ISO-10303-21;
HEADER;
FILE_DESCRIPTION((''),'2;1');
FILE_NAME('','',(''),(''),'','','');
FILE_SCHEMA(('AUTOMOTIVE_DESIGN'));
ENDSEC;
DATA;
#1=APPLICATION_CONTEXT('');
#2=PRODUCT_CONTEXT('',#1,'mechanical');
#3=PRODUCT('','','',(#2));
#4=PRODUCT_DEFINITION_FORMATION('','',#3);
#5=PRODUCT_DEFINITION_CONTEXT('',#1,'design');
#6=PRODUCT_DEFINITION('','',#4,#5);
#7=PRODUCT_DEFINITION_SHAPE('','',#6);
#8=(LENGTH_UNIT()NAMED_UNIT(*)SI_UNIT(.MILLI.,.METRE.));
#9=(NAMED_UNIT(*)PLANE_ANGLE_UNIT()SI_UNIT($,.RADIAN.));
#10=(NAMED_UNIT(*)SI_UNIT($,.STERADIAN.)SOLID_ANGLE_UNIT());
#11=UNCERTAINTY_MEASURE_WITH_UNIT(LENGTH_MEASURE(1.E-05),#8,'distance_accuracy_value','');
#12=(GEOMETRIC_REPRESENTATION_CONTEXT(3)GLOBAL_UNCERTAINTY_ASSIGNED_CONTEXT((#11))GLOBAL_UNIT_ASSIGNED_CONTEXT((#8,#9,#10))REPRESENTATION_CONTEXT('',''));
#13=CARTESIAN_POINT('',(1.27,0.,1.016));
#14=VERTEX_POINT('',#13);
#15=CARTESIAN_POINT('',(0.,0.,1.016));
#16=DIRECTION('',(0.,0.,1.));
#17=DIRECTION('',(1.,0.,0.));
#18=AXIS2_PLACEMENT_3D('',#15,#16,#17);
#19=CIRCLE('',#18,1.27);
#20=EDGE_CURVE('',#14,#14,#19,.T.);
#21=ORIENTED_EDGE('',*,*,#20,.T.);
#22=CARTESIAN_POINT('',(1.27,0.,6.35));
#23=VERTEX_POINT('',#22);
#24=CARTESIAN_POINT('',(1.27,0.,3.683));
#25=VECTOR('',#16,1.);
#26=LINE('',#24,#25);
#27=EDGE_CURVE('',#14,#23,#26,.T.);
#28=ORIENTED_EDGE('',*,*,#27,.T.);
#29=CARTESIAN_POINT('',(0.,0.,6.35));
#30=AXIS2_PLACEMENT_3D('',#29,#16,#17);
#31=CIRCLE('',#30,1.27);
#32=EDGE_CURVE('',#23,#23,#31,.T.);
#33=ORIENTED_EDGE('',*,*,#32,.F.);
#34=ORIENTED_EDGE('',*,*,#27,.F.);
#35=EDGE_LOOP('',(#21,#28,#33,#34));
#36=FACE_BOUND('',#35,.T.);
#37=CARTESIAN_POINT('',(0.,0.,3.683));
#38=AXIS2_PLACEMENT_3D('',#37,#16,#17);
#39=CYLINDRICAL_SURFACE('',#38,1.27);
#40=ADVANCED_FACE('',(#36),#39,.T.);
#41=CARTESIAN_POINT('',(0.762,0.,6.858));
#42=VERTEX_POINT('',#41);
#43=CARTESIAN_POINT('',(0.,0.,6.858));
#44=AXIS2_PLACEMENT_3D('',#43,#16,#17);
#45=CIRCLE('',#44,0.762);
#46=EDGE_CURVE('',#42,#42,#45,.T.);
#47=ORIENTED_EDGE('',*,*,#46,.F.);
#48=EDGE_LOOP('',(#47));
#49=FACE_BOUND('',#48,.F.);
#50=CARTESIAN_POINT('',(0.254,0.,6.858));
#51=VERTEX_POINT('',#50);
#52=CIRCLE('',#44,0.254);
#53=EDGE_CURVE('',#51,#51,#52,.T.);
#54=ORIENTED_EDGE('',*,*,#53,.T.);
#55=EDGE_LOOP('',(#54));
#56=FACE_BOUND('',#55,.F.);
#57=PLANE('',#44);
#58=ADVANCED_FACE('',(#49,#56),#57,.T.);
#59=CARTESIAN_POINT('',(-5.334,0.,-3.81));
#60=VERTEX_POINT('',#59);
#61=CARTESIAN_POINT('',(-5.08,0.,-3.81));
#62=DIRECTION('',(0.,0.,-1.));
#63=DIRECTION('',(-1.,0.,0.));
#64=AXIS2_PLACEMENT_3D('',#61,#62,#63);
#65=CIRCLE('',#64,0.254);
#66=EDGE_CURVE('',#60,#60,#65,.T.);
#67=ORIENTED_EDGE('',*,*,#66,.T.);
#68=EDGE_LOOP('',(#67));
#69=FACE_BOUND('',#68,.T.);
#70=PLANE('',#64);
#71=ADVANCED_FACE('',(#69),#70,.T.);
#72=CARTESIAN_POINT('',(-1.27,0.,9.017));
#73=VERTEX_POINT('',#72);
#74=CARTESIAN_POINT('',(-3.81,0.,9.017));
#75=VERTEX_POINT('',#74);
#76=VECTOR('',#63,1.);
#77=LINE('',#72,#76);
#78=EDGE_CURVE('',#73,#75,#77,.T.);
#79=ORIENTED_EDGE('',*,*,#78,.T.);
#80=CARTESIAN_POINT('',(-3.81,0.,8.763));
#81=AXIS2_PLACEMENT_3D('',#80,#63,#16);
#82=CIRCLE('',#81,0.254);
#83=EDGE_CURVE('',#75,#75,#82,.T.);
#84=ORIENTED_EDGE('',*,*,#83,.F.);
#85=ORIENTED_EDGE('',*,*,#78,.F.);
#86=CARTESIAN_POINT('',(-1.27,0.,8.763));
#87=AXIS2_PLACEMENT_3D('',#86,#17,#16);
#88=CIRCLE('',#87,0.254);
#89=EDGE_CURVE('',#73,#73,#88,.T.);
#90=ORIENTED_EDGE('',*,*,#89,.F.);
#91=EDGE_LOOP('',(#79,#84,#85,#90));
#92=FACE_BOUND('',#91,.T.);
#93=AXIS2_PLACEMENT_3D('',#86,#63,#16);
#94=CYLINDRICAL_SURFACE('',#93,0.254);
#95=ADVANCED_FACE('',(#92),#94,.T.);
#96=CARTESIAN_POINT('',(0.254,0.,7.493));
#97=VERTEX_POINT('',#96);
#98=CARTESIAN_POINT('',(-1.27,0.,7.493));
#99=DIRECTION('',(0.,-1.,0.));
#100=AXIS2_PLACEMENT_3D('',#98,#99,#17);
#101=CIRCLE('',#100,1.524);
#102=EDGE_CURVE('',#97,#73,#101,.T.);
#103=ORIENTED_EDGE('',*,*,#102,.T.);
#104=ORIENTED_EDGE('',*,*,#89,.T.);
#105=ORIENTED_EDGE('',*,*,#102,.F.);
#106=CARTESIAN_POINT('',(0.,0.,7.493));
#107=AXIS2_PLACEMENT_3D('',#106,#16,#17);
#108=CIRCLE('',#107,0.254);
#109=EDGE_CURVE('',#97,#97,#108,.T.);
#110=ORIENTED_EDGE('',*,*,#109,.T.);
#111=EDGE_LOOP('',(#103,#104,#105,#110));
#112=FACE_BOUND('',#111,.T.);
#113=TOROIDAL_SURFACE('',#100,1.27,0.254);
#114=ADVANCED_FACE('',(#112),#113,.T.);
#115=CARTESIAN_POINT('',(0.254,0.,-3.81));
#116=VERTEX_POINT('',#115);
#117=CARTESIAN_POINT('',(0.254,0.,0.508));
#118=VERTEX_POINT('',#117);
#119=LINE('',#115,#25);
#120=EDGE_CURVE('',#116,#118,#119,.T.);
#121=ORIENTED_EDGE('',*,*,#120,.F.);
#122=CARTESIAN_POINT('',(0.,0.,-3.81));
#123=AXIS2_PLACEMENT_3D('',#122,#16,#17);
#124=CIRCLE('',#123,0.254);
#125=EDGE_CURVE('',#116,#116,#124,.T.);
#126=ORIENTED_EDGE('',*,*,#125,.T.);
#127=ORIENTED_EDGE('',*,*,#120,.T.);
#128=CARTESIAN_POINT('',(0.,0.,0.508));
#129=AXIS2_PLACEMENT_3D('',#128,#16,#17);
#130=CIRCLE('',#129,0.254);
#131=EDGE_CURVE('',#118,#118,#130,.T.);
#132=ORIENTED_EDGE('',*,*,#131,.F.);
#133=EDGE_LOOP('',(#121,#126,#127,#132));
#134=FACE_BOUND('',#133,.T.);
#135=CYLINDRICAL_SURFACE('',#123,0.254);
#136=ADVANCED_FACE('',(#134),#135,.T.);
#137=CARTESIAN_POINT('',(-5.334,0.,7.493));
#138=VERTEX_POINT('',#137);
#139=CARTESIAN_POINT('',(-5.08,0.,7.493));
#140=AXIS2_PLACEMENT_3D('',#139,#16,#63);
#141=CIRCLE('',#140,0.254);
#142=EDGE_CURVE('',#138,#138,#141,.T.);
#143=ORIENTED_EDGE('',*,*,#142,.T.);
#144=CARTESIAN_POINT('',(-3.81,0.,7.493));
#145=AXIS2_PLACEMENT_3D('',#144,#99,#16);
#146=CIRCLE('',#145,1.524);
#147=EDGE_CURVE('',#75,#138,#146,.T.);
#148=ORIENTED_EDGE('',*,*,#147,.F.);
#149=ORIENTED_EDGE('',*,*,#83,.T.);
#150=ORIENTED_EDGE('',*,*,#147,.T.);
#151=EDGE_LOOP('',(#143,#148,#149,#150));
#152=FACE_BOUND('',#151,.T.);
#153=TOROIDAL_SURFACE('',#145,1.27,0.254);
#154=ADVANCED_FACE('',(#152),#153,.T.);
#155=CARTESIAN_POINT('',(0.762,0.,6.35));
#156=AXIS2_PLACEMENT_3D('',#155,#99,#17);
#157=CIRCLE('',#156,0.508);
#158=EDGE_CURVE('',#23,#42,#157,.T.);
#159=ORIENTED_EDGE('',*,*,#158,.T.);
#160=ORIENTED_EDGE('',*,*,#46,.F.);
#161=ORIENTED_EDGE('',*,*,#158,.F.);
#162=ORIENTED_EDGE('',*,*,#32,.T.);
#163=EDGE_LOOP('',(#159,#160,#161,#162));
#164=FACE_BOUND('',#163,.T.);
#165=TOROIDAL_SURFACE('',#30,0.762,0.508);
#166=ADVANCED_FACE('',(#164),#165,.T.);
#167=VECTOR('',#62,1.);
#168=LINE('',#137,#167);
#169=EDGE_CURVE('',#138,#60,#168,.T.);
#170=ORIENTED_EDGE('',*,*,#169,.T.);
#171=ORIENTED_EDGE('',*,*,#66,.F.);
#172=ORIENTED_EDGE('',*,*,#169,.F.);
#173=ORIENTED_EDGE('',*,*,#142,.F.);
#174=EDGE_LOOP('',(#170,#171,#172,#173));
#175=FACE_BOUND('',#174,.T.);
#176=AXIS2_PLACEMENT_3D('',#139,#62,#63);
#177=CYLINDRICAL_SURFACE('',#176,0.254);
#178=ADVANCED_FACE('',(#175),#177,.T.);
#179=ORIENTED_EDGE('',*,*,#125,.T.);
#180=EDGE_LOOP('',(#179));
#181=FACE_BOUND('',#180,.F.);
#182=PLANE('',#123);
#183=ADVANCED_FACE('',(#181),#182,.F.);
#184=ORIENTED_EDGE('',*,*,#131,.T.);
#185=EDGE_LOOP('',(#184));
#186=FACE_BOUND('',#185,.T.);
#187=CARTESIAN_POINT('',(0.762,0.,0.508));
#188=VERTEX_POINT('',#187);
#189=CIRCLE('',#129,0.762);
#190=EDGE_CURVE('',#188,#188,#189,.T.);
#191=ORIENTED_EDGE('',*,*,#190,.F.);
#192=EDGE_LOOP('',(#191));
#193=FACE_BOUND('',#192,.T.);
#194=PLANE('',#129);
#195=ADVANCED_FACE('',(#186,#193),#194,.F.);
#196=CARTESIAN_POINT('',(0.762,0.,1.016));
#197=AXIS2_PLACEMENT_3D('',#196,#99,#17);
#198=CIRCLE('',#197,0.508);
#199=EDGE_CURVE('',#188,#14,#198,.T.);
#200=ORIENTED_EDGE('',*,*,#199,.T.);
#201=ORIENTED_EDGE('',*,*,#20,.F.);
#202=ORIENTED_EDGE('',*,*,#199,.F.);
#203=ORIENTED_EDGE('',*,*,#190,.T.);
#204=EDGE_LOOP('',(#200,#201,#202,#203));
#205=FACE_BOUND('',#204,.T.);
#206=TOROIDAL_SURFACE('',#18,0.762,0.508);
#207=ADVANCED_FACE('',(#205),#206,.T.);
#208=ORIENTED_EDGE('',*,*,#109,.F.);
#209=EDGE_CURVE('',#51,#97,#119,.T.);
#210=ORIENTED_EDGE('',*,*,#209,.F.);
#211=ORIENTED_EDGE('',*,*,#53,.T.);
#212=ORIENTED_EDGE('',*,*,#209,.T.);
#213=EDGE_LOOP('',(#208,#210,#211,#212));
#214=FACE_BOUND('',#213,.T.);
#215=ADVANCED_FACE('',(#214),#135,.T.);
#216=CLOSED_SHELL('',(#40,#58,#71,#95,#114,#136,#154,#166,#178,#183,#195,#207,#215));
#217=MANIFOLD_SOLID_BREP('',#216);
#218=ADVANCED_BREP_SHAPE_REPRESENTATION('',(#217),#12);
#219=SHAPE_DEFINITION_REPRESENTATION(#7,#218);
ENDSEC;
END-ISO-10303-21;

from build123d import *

# Parameters (mm, degrees)
F0_W = 1.27
F0_H = 6.35
F2_R = 0.508
F5_R = 0.254


with BuildPart() as f1:
    # F0 (on Front) → F1 (revolve)
    with BuildSketch(Plane.XZ):
        with Locations((0.635, 3.683)):
            Rectangle(F0_W, F0_H)
    revolve(axis=Axis((0, 0, 3.683), (0, 0, 1)))

    # F2
    f2_edges = [f1.edges().sort_by_distance(p)[0] for p in [
        (-1.27, 0, 6.858),
        (-1.27, 0, 0.508),
    ]]
    fillet(f2_edges, radius=F2_R)

    # F6: sweep along a path in F3
    with BuildLine(Plane.XZ) as f6_path:
        Line((0, -3.81), (0, 7.493))
        ThreePointArc((0, 7.493), (-0.3719743879, 8.3910256121), (-1.27, 8.763))
        Line((-1.27, 8.763), (-3.81, 8.763))
        ThreePointArc((-3.81, 8.763), (-4.7080256121, 8.3910256121), (-5.08, 7.493))
        Line((-5.08, 7.493), (-5.08, -3.81))
    # F5 (on offset) → F6 (sweep)
    with BuildSketch(Plane.XY.offset(-3.81)):
        Circle(F5_R)
    sweep(path=f6_path.line)


solid = f1.part
